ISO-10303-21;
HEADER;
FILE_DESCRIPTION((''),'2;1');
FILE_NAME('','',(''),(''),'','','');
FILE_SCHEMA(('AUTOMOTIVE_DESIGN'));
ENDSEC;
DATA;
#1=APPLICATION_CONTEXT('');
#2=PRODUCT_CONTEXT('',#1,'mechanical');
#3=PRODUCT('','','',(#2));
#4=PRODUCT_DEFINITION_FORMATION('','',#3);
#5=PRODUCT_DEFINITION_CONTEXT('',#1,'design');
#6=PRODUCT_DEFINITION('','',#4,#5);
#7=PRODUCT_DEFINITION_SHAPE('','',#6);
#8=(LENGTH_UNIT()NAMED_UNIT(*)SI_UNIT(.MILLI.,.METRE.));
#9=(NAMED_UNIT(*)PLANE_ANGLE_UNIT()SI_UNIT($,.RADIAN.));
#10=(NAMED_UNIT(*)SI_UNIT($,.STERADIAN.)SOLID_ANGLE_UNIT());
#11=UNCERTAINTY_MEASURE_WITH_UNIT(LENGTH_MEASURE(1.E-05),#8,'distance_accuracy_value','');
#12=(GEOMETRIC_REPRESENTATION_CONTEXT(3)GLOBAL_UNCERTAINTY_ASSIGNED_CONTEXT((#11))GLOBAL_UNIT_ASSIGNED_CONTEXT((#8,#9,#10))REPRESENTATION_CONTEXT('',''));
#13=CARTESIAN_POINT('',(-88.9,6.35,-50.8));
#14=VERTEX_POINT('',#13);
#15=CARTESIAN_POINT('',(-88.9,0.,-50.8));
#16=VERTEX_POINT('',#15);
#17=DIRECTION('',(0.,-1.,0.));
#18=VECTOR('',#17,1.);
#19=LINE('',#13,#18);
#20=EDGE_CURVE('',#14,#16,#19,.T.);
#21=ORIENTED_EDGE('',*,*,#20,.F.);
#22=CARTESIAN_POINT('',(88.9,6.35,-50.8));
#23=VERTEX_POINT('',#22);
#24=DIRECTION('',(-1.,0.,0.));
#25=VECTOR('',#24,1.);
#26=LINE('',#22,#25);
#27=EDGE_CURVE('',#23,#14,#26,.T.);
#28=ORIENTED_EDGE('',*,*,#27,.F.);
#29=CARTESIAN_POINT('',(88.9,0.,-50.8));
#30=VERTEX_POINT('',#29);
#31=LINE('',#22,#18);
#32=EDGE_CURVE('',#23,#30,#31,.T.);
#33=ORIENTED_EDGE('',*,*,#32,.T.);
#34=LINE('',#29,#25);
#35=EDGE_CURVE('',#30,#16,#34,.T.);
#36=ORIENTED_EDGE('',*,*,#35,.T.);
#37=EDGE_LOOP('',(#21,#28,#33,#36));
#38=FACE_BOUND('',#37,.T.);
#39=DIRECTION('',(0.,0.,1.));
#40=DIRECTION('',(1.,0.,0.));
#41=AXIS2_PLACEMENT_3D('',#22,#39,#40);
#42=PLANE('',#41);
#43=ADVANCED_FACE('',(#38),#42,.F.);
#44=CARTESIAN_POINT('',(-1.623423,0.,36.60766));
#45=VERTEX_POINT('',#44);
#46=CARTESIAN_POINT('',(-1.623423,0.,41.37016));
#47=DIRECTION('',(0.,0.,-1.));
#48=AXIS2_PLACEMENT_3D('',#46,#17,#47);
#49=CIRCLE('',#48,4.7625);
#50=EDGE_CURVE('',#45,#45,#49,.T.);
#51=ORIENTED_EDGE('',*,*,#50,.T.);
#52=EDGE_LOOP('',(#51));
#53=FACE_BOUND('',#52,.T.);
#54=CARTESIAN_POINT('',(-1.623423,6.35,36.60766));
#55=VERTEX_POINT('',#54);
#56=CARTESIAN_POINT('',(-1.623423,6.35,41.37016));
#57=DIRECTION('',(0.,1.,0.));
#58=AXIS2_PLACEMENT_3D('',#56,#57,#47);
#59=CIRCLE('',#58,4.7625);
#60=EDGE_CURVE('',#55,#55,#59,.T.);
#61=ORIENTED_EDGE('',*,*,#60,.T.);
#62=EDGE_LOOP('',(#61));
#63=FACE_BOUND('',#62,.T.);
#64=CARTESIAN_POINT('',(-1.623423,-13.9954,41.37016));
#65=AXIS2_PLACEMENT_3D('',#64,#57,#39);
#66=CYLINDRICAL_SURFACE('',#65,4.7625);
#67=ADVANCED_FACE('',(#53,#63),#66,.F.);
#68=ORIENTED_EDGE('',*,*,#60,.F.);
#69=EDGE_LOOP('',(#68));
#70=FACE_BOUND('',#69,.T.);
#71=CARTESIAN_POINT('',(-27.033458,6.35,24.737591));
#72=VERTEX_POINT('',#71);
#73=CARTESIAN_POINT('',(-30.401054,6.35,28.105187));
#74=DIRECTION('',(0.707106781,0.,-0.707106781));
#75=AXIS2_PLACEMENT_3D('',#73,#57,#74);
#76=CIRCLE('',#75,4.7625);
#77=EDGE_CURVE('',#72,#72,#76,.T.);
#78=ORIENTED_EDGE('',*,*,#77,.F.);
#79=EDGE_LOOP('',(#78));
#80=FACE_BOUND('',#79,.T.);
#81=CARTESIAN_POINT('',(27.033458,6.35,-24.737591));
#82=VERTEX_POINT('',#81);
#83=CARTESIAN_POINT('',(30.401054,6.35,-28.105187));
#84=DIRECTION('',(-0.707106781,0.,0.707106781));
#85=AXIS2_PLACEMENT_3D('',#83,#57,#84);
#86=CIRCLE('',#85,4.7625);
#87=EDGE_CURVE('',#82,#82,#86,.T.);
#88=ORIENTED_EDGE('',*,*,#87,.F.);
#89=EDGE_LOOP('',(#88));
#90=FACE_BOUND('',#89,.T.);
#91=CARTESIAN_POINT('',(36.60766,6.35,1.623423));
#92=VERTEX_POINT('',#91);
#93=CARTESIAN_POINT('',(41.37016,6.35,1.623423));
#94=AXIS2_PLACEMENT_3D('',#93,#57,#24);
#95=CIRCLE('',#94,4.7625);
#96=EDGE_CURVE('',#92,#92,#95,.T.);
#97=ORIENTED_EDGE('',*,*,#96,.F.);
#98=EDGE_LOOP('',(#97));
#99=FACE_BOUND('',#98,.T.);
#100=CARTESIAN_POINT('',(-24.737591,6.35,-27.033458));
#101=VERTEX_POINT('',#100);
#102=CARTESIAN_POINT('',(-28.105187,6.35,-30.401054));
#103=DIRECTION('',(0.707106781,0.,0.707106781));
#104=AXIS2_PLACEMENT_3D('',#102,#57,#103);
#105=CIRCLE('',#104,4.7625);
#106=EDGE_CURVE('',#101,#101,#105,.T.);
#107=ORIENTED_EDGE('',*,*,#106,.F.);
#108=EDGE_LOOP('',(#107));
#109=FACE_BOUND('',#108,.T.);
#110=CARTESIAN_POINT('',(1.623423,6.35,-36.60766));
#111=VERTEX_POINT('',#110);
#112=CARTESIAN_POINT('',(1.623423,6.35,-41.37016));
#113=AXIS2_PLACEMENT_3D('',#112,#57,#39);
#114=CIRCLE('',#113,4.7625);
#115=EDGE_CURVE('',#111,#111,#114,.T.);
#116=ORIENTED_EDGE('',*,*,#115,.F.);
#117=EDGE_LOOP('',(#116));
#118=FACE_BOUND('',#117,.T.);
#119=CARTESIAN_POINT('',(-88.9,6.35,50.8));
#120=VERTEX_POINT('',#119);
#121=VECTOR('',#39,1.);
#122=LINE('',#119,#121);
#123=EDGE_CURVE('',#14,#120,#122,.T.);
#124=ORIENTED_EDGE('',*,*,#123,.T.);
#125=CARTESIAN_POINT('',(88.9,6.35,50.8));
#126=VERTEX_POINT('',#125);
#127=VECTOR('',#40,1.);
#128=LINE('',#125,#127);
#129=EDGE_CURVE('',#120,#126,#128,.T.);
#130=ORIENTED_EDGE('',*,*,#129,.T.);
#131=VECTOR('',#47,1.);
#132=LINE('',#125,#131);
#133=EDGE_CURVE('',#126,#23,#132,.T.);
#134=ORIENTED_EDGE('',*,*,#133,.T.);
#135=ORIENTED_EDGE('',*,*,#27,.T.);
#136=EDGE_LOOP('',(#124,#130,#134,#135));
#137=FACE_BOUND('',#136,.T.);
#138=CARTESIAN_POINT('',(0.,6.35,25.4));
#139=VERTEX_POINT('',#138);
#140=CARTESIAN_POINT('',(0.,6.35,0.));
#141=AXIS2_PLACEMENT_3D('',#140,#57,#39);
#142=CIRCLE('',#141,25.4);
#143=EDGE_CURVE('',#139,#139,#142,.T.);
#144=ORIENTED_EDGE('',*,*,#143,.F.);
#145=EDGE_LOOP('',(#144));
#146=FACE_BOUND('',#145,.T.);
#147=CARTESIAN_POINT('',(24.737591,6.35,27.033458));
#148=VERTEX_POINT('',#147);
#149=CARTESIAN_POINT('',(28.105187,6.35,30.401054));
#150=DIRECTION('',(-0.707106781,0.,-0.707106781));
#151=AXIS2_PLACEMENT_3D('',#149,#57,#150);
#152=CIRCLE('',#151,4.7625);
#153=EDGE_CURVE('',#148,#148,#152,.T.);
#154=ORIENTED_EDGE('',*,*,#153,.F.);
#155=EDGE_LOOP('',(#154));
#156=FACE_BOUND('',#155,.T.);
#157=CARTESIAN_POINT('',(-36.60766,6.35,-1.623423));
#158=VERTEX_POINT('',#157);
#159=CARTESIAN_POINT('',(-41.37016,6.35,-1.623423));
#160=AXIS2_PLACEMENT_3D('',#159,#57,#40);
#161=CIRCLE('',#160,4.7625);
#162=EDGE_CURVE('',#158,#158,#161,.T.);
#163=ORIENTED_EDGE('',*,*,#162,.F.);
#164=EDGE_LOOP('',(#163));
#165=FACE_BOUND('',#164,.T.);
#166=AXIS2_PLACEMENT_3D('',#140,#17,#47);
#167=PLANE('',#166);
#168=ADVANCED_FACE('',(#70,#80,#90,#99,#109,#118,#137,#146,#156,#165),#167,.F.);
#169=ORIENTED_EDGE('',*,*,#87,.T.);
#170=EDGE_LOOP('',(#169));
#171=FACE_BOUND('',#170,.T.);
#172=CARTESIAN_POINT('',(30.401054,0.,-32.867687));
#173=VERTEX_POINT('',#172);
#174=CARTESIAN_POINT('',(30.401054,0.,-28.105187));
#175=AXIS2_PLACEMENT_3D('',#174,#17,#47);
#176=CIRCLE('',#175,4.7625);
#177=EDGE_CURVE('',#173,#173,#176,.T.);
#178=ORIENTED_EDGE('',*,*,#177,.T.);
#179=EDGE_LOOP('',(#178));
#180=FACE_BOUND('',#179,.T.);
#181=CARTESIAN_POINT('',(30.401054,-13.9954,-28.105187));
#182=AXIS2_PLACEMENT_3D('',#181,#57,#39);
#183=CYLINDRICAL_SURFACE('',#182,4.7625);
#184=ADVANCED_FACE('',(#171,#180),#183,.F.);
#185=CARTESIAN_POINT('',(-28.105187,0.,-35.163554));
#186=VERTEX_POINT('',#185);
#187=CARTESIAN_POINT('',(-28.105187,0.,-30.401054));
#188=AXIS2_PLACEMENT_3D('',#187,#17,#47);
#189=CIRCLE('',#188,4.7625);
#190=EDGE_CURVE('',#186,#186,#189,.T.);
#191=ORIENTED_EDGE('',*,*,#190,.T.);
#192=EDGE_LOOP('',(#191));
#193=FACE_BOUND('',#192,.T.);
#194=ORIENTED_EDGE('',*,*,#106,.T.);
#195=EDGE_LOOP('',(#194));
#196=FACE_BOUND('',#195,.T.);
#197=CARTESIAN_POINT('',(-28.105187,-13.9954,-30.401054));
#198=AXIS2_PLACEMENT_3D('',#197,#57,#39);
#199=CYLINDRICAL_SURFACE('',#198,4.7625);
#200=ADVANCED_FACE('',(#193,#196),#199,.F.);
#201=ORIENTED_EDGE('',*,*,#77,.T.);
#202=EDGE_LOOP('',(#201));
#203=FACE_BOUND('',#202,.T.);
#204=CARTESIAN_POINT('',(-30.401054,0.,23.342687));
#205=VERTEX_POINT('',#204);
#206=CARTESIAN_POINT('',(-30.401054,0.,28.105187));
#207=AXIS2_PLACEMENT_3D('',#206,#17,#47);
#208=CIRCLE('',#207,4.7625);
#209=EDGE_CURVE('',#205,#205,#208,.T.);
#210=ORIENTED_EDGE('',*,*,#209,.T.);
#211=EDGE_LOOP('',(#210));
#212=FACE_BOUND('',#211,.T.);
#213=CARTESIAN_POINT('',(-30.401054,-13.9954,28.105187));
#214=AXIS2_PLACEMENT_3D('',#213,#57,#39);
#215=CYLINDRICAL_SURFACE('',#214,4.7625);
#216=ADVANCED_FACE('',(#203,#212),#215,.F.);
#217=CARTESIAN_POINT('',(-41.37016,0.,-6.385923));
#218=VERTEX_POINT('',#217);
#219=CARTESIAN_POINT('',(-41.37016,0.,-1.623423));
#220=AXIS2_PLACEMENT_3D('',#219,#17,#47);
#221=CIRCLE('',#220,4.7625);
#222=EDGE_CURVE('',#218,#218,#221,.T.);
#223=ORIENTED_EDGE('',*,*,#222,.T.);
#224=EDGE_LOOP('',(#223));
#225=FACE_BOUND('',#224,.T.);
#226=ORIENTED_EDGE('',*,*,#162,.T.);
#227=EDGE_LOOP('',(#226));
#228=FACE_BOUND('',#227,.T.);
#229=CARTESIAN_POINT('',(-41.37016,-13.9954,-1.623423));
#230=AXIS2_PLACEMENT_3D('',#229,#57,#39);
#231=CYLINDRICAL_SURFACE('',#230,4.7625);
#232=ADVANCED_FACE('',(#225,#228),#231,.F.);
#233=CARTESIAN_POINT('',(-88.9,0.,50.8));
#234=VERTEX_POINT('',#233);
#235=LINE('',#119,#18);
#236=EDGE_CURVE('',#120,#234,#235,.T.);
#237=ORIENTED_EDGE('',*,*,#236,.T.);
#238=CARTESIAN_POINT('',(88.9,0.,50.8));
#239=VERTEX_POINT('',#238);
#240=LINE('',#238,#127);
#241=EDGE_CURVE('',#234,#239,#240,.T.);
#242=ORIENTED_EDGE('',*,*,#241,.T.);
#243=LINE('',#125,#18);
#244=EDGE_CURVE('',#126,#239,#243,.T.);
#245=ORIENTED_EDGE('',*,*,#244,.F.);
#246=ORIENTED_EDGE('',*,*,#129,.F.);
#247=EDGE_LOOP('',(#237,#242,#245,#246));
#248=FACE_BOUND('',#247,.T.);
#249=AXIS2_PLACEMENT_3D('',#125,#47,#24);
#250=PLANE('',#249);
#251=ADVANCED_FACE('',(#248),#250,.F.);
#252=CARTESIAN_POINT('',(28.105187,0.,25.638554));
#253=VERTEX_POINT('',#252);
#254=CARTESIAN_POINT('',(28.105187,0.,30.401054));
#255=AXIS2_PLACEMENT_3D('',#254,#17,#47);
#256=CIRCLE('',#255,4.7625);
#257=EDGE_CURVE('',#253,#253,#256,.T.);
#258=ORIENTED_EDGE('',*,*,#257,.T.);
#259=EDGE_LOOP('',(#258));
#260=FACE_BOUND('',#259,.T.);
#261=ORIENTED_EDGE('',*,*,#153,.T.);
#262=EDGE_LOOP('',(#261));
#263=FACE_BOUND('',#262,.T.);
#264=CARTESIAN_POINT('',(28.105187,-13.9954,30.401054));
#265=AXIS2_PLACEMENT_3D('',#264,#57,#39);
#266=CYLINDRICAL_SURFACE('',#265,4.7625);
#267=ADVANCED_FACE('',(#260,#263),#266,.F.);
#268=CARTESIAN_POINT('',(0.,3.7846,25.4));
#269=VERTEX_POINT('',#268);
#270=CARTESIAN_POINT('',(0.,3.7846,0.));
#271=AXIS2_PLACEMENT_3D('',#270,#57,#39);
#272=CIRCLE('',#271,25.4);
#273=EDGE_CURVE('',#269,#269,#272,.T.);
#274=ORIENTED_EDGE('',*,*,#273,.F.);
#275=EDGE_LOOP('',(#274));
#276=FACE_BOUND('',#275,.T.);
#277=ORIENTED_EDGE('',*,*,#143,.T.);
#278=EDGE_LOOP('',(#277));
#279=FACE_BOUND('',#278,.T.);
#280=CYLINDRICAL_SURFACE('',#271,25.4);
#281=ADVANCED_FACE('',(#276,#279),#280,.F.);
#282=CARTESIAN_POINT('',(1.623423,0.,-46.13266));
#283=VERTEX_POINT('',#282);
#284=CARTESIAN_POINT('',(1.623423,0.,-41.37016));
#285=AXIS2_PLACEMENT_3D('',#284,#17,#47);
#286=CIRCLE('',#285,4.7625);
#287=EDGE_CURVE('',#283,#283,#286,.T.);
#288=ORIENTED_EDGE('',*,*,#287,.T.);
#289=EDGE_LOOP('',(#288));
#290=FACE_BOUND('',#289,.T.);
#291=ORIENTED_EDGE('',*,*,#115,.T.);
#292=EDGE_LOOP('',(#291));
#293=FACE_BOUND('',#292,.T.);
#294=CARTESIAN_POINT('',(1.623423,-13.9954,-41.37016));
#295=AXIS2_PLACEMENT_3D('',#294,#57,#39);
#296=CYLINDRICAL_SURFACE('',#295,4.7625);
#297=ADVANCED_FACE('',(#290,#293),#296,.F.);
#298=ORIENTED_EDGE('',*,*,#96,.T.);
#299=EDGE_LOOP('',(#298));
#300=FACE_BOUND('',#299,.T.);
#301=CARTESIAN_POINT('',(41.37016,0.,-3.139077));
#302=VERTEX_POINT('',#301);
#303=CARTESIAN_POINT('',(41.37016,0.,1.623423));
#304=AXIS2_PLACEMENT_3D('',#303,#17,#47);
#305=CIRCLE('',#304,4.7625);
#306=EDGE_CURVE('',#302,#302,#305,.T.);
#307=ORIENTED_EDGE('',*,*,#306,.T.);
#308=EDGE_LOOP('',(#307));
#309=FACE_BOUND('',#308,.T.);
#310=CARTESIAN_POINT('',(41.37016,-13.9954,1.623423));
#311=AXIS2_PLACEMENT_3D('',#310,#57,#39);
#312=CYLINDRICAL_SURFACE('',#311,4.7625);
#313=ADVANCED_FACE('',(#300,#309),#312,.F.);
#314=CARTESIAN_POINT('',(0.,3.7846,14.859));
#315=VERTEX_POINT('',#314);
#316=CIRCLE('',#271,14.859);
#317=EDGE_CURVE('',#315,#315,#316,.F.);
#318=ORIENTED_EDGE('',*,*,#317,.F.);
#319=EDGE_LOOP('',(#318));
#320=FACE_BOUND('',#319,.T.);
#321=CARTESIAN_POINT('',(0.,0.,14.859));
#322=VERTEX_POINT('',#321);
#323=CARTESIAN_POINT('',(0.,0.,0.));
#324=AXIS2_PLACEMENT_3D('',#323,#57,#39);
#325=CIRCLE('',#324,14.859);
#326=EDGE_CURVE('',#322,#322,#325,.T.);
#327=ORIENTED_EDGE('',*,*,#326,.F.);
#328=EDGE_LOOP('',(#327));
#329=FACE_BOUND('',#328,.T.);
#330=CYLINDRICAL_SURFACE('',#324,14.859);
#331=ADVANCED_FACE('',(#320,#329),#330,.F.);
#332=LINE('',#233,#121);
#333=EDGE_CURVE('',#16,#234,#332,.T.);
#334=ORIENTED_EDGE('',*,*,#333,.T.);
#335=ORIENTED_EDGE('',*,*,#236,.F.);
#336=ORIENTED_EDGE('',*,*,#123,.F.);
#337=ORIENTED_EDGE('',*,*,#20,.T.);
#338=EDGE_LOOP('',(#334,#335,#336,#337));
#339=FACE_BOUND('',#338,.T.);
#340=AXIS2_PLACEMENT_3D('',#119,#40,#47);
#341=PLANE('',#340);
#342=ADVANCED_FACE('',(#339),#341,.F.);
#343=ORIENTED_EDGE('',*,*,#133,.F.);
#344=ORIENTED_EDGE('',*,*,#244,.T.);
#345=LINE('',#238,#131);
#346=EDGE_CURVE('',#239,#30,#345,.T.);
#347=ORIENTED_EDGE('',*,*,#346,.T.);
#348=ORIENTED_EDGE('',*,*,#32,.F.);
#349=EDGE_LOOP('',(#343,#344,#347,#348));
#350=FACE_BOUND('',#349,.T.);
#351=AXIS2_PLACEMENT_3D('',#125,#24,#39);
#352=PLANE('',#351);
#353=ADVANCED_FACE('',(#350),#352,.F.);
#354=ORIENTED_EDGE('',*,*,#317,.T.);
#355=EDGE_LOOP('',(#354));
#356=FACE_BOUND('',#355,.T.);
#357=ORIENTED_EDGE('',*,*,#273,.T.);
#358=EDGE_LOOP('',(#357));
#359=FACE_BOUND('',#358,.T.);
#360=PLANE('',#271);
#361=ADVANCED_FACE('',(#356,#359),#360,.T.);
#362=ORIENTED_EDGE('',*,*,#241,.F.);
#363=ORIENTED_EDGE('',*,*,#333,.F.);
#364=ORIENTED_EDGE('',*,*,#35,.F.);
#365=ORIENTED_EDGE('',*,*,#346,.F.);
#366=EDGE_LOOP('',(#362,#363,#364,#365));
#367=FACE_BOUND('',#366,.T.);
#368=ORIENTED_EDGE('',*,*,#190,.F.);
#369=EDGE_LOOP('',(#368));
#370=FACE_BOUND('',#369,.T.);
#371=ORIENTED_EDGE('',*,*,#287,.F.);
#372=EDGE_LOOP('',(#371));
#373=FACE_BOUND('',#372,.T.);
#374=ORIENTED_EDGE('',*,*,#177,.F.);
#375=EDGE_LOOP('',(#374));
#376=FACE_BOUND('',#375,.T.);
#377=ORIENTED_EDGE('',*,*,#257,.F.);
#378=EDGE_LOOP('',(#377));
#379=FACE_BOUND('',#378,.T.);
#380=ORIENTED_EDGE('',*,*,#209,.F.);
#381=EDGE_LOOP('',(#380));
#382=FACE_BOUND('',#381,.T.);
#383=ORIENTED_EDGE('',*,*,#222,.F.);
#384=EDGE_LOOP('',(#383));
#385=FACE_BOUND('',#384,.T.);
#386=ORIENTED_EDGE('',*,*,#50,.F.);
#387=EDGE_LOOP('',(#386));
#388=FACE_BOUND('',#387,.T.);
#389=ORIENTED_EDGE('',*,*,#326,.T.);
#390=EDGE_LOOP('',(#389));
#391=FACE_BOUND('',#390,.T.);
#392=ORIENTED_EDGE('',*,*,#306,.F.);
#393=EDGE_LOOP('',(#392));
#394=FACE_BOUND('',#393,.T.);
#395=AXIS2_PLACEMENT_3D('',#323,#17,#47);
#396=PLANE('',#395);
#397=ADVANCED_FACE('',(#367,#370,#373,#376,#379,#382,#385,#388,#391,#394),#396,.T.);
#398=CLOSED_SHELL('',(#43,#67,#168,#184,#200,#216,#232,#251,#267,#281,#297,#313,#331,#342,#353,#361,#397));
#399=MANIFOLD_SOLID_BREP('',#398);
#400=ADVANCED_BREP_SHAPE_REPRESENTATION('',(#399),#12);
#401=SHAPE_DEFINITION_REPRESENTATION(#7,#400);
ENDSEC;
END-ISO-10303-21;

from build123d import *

# Parameters (mm, degrees)
SKETCH1_W           = 177.8
SKETCH1_H           = 101.6
BOSS_EXTRUDE1_DEPTH = 6.35
SKETCH2_R           = 14.859
CUT_EXTRUDE1_DEPTH  = 6.35
SKETCH3_R           = 25.4
CUT_EXTRUDE2_DEPTH  = 2.5654
SKETCH4_R           = 4.7625
CUT_EXTRUDE3_DEPTH  = 20.3454
CIRPATTERN1_COUNT   = 8


with BuildPart() as part:
    # Sketch1 → Boss-Extrude1 (new body)
    with BuildSketch(Plane(origin=(0, 0, 0), x_dir=(1, 0, 0), z_dir=(0, 1, 0))):
        Rectangle(SKETCH1_W, SKETCH1_H)
    extrude(amount=BOSS_EXTRUDE1_DEPTH)

    # Sketch2 → Cut-Extrude1 (cut)
    with BuildSketch(Plane(origin=(0, 6.35, 0), x_dir=(1, 0, 0), z_dir=(0, 1, 0))):
        with Locations(Location((0, 0, 0), (0, 0, 270))):
            Circle(SKETCH2_R)
    extrude(amount=-CUT_EXTRUDE1_DEPTH, mode=Mode.SUBTRACT)

    # Sketch3 → Cut-Extrude2 (cut)
    with BuildSketch(Plane(origin=(0, 6.35, 0), x_dir=(1, 0, 0), z_dir=(0, 1, 0))):
        with Locations(Location((0, 0, 0), (0, 0, 270))):
            Circle(SKETCH3_R)
    extrude(amount=-CUT_EXTRUDE2_DEPTH, mode=Mode.SUBTRACT)

    # Sketch4 → Cut-Extrude3 (cut)
    with BuildSketch(Plane(origin=(0, 6.35, 0), x_dir=(1, 0, 0), z_dir=(0, 1, 0))):
        with Locations(Location((1.623422677, 41.37015957, 0), (0, 0, 270))):
            Circle(SKETCH4_R)
    cut_extrude3 = extrude(amount=-CUT_EXTRUDE3_DEPTH, mode=Mode.SUBTRACT)

    # CirPattern1: Cut-Extrude3 ×8 about axis
    cirpattern1_axis = Axis((0, 0, 0), (0, 1, 0))
    for i in range(1, CIRPATTERN1_COUNT):
        add(cut_extrude3.rotate(cirpattern1_axis, i * 360 / CIRPATTERN1_COUNT), mode=Mode.SUBTRACT)


solid = part.part
